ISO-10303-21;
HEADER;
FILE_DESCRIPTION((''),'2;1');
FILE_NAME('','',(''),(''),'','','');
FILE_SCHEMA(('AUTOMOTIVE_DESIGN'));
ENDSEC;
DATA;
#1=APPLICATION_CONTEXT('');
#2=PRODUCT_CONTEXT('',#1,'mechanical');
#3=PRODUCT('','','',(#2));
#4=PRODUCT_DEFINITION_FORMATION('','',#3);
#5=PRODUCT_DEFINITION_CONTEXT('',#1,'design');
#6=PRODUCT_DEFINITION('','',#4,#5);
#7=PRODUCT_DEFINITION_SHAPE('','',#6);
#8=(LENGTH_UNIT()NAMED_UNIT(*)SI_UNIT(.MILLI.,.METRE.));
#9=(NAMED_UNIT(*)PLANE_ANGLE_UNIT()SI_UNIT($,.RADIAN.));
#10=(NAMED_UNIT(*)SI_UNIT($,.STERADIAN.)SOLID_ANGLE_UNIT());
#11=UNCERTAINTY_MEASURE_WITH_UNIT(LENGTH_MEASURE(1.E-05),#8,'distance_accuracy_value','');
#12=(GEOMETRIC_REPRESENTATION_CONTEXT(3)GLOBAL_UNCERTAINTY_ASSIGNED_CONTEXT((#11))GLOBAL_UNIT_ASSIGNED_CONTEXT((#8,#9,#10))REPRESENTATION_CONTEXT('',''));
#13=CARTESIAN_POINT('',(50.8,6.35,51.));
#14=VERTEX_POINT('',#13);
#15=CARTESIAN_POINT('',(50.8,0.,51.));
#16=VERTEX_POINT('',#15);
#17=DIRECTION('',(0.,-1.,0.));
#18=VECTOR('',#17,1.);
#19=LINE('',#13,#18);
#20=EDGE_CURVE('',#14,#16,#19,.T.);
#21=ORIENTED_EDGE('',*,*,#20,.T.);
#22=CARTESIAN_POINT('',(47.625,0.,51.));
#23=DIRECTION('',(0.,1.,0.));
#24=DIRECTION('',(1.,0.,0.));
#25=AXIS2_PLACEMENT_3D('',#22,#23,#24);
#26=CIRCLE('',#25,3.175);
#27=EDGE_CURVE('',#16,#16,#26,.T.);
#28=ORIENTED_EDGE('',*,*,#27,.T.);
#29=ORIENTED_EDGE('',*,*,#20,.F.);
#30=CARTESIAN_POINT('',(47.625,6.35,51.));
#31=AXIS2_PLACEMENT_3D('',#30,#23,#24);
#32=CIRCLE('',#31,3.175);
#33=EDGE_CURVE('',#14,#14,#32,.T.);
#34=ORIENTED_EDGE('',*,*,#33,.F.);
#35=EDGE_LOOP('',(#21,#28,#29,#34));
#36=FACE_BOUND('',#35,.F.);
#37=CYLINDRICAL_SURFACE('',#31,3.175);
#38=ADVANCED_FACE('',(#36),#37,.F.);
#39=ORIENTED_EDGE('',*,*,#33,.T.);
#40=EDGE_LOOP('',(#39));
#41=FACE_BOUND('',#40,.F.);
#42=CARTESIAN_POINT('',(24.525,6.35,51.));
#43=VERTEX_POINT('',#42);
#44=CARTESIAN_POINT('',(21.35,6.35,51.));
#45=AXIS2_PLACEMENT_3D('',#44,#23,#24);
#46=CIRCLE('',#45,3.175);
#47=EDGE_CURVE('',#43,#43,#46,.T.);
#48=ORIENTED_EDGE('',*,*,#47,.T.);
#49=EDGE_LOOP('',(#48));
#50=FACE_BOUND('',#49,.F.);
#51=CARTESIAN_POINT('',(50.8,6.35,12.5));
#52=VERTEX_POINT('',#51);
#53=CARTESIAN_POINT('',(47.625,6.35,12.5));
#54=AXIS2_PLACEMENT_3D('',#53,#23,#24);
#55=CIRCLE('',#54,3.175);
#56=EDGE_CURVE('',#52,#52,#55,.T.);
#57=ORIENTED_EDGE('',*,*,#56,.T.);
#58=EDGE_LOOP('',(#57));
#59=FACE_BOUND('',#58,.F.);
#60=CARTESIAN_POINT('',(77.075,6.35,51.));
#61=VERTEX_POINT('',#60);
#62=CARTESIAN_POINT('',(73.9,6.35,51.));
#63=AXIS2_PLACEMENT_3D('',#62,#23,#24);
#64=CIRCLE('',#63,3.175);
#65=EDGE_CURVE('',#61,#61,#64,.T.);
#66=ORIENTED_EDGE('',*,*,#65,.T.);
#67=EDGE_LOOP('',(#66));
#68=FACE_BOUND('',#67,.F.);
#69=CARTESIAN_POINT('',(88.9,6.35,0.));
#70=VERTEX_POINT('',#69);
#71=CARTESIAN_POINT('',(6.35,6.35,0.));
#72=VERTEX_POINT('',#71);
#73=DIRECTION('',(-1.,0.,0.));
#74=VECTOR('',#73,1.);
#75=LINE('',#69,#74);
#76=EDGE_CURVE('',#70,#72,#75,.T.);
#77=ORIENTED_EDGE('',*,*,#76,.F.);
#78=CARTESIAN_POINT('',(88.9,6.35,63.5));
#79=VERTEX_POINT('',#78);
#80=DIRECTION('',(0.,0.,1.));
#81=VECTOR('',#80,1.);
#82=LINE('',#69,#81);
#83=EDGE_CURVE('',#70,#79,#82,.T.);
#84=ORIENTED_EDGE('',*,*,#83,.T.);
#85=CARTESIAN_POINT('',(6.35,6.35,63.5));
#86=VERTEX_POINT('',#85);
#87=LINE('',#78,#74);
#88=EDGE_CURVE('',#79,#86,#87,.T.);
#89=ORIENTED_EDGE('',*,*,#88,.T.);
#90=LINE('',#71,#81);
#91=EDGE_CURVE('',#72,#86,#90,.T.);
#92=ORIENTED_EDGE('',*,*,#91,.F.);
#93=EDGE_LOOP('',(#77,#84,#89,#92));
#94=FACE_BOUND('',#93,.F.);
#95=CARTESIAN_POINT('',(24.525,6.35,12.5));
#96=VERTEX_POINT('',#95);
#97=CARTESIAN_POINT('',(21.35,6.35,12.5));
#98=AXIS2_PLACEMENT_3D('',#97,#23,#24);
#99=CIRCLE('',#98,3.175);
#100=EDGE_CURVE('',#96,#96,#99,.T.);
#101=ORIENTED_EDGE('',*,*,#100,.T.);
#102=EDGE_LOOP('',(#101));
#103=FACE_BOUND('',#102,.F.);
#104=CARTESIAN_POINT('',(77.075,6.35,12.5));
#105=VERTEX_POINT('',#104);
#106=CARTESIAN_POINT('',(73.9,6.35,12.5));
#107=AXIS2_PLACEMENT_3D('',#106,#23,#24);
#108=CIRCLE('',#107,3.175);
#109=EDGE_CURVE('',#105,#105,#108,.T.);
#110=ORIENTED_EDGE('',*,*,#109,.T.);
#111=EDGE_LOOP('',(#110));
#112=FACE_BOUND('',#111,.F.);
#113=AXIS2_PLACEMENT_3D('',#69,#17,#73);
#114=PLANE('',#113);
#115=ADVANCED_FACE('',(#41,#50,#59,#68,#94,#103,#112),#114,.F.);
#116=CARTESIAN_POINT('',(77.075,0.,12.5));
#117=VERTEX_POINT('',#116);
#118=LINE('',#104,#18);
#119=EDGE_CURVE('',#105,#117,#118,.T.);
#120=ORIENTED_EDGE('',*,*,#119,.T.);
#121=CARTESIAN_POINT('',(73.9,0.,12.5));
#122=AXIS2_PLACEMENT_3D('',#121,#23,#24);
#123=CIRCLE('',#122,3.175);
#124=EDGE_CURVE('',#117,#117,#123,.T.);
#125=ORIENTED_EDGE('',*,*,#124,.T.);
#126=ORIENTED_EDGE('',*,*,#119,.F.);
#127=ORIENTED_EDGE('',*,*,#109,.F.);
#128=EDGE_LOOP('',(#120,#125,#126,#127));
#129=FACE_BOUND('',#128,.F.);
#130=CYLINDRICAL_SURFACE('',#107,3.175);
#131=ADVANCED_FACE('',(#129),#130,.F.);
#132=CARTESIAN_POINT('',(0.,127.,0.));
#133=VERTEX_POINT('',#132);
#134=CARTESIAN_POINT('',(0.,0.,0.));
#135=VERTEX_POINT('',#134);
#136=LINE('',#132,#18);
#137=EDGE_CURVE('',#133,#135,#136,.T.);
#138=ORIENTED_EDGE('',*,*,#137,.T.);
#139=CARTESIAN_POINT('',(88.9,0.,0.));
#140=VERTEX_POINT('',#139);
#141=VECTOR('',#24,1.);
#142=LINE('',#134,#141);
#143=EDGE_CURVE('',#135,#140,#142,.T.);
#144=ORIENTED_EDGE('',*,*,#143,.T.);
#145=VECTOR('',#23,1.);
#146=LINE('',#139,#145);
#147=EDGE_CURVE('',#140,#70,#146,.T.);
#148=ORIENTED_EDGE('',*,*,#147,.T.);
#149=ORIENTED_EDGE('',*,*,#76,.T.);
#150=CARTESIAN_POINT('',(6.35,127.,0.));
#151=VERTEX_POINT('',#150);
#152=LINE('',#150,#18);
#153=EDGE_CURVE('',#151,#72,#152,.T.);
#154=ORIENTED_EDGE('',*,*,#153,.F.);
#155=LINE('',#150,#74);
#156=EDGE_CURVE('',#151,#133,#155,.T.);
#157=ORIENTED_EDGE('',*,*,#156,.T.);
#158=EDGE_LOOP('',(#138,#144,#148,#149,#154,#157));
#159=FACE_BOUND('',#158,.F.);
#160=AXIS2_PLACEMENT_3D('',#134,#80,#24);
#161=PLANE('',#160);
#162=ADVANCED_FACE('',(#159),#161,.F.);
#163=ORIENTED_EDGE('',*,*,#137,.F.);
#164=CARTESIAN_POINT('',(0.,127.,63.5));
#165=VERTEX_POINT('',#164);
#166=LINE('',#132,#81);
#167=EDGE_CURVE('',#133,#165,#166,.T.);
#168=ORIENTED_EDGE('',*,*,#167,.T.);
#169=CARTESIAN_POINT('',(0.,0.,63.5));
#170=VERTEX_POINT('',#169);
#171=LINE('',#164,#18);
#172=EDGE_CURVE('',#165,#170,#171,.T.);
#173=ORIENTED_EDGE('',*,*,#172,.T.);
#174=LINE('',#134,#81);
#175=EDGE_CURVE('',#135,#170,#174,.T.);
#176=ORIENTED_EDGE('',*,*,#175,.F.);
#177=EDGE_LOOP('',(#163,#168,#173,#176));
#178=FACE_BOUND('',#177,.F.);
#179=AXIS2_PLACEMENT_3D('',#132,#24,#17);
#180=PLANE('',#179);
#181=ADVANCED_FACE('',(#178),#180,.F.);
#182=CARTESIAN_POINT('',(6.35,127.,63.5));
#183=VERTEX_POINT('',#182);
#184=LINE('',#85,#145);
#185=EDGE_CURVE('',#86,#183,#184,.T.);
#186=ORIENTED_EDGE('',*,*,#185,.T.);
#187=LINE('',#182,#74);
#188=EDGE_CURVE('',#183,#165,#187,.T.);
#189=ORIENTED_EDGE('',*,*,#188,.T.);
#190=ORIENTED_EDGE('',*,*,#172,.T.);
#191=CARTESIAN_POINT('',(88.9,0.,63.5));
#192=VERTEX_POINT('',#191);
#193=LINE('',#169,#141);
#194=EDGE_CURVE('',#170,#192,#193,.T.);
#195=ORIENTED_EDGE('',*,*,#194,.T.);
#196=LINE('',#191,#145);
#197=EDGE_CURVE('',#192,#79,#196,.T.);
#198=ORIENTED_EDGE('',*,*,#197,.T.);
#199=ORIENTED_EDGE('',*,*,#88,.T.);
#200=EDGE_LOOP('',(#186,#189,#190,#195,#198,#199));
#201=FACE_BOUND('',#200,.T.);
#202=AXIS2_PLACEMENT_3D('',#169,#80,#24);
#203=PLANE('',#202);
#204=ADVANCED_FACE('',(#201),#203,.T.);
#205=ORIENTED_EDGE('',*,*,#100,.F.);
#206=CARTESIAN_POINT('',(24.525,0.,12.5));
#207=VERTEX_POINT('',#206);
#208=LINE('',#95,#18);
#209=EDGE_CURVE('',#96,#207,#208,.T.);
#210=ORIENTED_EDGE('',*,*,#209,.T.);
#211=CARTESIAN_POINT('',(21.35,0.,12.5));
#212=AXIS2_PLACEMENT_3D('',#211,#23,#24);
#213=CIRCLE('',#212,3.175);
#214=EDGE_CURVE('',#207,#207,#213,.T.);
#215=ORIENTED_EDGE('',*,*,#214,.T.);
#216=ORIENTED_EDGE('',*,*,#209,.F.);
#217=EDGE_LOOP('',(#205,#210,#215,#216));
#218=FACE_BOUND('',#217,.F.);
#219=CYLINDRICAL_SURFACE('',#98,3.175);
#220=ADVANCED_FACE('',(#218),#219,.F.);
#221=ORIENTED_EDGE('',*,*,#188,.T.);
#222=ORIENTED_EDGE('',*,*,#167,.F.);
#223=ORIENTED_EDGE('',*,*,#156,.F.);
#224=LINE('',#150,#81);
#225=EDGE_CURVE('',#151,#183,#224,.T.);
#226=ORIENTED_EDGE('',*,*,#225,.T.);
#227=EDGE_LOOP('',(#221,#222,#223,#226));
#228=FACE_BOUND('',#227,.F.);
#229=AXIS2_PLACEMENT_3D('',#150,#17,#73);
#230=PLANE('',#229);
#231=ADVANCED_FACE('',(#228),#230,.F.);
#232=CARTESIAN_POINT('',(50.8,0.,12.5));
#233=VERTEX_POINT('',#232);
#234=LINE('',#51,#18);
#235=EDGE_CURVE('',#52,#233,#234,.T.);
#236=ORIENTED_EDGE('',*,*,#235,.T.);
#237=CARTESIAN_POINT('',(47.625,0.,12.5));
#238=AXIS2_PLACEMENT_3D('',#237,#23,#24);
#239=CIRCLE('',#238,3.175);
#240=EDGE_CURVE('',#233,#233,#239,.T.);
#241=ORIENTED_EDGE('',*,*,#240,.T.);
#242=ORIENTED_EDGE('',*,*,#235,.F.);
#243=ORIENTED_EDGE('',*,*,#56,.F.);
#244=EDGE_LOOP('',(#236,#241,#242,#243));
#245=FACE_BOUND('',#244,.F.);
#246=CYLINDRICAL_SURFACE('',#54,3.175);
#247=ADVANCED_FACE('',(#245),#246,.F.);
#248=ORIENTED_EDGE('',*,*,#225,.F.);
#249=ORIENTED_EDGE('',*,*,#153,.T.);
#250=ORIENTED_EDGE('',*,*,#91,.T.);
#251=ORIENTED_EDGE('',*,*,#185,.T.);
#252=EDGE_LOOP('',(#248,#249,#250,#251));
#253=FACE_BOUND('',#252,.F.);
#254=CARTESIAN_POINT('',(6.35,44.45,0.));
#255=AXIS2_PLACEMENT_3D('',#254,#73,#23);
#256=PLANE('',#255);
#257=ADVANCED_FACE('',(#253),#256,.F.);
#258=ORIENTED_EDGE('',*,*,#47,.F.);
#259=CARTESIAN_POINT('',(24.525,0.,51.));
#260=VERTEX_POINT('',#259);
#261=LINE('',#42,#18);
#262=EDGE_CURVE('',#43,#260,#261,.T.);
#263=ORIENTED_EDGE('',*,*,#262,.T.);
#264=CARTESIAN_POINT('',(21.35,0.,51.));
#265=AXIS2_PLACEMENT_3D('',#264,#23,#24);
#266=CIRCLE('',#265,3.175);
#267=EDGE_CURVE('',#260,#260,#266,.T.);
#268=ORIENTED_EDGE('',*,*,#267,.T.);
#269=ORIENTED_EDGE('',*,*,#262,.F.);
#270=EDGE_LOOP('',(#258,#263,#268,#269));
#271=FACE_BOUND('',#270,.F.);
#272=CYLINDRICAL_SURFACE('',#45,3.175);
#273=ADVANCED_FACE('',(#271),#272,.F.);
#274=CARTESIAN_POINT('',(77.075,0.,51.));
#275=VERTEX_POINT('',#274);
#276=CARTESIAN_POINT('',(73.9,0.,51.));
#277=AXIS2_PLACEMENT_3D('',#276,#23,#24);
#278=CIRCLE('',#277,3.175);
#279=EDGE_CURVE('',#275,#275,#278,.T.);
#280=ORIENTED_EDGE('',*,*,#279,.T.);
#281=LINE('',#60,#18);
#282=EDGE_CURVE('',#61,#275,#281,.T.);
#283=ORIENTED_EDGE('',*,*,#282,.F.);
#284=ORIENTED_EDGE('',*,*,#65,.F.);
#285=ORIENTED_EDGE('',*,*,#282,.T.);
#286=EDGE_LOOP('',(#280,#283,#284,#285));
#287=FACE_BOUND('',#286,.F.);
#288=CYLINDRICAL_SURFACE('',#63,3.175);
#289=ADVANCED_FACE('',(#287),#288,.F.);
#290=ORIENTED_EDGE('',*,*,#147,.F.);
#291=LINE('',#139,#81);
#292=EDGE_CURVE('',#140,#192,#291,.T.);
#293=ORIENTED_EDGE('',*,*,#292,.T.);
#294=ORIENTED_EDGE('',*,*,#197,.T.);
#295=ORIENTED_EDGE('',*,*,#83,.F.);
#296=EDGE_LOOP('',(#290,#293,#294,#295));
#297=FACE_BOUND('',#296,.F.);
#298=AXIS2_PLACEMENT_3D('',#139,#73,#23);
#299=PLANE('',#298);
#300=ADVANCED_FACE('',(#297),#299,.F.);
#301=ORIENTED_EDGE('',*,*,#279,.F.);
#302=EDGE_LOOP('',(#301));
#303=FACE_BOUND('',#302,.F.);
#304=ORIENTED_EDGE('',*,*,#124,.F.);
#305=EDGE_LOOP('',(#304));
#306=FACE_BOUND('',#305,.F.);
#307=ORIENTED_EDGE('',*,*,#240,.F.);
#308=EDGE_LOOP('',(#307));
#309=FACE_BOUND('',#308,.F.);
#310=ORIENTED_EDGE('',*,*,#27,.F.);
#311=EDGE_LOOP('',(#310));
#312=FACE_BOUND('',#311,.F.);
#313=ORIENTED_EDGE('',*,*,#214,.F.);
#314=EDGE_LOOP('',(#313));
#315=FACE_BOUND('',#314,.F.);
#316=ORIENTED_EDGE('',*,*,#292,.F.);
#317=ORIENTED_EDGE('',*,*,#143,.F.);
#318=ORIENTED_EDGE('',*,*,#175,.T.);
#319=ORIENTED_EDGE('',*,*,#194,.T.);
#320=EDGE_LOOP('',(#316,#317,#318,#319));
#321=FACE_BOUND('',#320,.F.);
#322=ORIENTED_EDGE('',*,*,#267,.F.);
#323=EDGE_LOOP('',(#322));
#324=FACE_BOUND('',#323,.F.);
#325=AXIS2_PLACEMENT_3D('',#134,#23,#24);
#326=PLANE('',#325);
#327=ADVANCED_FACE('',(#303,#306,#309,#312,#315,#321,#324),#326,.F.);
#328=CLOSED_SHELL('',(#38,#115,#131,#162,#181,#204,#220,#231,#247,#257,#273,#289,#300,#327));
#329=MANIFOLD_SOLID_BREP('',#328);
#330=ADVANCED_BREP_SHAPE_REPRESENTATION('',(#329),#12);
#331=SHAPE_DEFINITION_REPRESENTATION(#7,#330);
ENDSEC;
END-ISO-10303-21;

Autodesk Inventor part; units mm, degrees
ref_plane "YZ Plane" through (0, 0, 0) normal (1, 0, 0) x (0, 1, 0)
ref_plane "XZ Plane" through (0, 0, 0) normal (0, 1, 0) x (-1, 0, 0)
ref_plane "XY Plane" through (0, 0, 0) normal (0, 0, 1) x (1, 0, 0)
sketch "Sketch1" plane through (0, 0, 0) normal (0, 0, 1) x (1, 0, 0)
  line L0 (0, 0) -> (88.9, 0)
  line L1 (88.9, 0) -> (88.9, 6.35)
  line L2 (88.9, 6.35) -> (6.35, 6.35)
  line L3 (6.35, 6.35) -> (6.35, 44.45)
  line L4 (6.35, 44.45) -> (6.35, 127)
  line L5 (6.35, 127) -> (0, 127)
  line L6 (0, 127) -> (0, 0)
  dimension "d0" = 88.9
  dimension "d1" = 127
  dimension "d2" = 6.35
extrude "Extrusion1" add sketch "Sketch1" along normal blind 63.5
sketch "Sketch2" plane through (6.35, 6.35, 0) normal (0, 1, 0) x (1, 0, 0)
  line L0 (67.55, -51) -> (15, -51) construction
  line L1 (15, -51) -> (15, -12.5) construction
  line L2 (15, -12.5) -> (67.55, -12.5) construction
  line L3 (67.55, -12.5) -> (67.55, -51) construction
  circle A0 centre (67.55, -51) radius 3.175
  circle A1 centre (67.55, -12.5) radius 3.175
  circle A2 centre (41.275, -51) radius 3.175
  circle A3 centre (41.275, -12.5) radius 3.175
  circle A4 centre (15, -51) radius 3.175
  circle A5 centre (15, -12.5) radius 3.175
  line L4 (0, 0) -> (82.55, 0) construction
  line L5 (82.55, 0) -> (82.55, -63.5) construction
  line L6 (82.55, -63.5) -> (0, -63.5) construction
  line L7 (0, -63.5) -> (0, 0) construction
  line L8 (67.55, -31.75) -> (82.55, -31.75) construction
  line L9 (15, -31.75) -> (0, -31.75) construction
  point P0 (-6.35, 0)
  dimension "d5" = 6.35
  dimension "d6" = 6.35
  dimension "d7" = 63.5
  dimension "d9" = 88.9
  dimension "d10" = 15
  dimension "d11" = 12.5
extrude "Extrusion2" cut sketch "Sketch2" against normal through all
properties part number "L_Channel" material "Steel, Mild"
